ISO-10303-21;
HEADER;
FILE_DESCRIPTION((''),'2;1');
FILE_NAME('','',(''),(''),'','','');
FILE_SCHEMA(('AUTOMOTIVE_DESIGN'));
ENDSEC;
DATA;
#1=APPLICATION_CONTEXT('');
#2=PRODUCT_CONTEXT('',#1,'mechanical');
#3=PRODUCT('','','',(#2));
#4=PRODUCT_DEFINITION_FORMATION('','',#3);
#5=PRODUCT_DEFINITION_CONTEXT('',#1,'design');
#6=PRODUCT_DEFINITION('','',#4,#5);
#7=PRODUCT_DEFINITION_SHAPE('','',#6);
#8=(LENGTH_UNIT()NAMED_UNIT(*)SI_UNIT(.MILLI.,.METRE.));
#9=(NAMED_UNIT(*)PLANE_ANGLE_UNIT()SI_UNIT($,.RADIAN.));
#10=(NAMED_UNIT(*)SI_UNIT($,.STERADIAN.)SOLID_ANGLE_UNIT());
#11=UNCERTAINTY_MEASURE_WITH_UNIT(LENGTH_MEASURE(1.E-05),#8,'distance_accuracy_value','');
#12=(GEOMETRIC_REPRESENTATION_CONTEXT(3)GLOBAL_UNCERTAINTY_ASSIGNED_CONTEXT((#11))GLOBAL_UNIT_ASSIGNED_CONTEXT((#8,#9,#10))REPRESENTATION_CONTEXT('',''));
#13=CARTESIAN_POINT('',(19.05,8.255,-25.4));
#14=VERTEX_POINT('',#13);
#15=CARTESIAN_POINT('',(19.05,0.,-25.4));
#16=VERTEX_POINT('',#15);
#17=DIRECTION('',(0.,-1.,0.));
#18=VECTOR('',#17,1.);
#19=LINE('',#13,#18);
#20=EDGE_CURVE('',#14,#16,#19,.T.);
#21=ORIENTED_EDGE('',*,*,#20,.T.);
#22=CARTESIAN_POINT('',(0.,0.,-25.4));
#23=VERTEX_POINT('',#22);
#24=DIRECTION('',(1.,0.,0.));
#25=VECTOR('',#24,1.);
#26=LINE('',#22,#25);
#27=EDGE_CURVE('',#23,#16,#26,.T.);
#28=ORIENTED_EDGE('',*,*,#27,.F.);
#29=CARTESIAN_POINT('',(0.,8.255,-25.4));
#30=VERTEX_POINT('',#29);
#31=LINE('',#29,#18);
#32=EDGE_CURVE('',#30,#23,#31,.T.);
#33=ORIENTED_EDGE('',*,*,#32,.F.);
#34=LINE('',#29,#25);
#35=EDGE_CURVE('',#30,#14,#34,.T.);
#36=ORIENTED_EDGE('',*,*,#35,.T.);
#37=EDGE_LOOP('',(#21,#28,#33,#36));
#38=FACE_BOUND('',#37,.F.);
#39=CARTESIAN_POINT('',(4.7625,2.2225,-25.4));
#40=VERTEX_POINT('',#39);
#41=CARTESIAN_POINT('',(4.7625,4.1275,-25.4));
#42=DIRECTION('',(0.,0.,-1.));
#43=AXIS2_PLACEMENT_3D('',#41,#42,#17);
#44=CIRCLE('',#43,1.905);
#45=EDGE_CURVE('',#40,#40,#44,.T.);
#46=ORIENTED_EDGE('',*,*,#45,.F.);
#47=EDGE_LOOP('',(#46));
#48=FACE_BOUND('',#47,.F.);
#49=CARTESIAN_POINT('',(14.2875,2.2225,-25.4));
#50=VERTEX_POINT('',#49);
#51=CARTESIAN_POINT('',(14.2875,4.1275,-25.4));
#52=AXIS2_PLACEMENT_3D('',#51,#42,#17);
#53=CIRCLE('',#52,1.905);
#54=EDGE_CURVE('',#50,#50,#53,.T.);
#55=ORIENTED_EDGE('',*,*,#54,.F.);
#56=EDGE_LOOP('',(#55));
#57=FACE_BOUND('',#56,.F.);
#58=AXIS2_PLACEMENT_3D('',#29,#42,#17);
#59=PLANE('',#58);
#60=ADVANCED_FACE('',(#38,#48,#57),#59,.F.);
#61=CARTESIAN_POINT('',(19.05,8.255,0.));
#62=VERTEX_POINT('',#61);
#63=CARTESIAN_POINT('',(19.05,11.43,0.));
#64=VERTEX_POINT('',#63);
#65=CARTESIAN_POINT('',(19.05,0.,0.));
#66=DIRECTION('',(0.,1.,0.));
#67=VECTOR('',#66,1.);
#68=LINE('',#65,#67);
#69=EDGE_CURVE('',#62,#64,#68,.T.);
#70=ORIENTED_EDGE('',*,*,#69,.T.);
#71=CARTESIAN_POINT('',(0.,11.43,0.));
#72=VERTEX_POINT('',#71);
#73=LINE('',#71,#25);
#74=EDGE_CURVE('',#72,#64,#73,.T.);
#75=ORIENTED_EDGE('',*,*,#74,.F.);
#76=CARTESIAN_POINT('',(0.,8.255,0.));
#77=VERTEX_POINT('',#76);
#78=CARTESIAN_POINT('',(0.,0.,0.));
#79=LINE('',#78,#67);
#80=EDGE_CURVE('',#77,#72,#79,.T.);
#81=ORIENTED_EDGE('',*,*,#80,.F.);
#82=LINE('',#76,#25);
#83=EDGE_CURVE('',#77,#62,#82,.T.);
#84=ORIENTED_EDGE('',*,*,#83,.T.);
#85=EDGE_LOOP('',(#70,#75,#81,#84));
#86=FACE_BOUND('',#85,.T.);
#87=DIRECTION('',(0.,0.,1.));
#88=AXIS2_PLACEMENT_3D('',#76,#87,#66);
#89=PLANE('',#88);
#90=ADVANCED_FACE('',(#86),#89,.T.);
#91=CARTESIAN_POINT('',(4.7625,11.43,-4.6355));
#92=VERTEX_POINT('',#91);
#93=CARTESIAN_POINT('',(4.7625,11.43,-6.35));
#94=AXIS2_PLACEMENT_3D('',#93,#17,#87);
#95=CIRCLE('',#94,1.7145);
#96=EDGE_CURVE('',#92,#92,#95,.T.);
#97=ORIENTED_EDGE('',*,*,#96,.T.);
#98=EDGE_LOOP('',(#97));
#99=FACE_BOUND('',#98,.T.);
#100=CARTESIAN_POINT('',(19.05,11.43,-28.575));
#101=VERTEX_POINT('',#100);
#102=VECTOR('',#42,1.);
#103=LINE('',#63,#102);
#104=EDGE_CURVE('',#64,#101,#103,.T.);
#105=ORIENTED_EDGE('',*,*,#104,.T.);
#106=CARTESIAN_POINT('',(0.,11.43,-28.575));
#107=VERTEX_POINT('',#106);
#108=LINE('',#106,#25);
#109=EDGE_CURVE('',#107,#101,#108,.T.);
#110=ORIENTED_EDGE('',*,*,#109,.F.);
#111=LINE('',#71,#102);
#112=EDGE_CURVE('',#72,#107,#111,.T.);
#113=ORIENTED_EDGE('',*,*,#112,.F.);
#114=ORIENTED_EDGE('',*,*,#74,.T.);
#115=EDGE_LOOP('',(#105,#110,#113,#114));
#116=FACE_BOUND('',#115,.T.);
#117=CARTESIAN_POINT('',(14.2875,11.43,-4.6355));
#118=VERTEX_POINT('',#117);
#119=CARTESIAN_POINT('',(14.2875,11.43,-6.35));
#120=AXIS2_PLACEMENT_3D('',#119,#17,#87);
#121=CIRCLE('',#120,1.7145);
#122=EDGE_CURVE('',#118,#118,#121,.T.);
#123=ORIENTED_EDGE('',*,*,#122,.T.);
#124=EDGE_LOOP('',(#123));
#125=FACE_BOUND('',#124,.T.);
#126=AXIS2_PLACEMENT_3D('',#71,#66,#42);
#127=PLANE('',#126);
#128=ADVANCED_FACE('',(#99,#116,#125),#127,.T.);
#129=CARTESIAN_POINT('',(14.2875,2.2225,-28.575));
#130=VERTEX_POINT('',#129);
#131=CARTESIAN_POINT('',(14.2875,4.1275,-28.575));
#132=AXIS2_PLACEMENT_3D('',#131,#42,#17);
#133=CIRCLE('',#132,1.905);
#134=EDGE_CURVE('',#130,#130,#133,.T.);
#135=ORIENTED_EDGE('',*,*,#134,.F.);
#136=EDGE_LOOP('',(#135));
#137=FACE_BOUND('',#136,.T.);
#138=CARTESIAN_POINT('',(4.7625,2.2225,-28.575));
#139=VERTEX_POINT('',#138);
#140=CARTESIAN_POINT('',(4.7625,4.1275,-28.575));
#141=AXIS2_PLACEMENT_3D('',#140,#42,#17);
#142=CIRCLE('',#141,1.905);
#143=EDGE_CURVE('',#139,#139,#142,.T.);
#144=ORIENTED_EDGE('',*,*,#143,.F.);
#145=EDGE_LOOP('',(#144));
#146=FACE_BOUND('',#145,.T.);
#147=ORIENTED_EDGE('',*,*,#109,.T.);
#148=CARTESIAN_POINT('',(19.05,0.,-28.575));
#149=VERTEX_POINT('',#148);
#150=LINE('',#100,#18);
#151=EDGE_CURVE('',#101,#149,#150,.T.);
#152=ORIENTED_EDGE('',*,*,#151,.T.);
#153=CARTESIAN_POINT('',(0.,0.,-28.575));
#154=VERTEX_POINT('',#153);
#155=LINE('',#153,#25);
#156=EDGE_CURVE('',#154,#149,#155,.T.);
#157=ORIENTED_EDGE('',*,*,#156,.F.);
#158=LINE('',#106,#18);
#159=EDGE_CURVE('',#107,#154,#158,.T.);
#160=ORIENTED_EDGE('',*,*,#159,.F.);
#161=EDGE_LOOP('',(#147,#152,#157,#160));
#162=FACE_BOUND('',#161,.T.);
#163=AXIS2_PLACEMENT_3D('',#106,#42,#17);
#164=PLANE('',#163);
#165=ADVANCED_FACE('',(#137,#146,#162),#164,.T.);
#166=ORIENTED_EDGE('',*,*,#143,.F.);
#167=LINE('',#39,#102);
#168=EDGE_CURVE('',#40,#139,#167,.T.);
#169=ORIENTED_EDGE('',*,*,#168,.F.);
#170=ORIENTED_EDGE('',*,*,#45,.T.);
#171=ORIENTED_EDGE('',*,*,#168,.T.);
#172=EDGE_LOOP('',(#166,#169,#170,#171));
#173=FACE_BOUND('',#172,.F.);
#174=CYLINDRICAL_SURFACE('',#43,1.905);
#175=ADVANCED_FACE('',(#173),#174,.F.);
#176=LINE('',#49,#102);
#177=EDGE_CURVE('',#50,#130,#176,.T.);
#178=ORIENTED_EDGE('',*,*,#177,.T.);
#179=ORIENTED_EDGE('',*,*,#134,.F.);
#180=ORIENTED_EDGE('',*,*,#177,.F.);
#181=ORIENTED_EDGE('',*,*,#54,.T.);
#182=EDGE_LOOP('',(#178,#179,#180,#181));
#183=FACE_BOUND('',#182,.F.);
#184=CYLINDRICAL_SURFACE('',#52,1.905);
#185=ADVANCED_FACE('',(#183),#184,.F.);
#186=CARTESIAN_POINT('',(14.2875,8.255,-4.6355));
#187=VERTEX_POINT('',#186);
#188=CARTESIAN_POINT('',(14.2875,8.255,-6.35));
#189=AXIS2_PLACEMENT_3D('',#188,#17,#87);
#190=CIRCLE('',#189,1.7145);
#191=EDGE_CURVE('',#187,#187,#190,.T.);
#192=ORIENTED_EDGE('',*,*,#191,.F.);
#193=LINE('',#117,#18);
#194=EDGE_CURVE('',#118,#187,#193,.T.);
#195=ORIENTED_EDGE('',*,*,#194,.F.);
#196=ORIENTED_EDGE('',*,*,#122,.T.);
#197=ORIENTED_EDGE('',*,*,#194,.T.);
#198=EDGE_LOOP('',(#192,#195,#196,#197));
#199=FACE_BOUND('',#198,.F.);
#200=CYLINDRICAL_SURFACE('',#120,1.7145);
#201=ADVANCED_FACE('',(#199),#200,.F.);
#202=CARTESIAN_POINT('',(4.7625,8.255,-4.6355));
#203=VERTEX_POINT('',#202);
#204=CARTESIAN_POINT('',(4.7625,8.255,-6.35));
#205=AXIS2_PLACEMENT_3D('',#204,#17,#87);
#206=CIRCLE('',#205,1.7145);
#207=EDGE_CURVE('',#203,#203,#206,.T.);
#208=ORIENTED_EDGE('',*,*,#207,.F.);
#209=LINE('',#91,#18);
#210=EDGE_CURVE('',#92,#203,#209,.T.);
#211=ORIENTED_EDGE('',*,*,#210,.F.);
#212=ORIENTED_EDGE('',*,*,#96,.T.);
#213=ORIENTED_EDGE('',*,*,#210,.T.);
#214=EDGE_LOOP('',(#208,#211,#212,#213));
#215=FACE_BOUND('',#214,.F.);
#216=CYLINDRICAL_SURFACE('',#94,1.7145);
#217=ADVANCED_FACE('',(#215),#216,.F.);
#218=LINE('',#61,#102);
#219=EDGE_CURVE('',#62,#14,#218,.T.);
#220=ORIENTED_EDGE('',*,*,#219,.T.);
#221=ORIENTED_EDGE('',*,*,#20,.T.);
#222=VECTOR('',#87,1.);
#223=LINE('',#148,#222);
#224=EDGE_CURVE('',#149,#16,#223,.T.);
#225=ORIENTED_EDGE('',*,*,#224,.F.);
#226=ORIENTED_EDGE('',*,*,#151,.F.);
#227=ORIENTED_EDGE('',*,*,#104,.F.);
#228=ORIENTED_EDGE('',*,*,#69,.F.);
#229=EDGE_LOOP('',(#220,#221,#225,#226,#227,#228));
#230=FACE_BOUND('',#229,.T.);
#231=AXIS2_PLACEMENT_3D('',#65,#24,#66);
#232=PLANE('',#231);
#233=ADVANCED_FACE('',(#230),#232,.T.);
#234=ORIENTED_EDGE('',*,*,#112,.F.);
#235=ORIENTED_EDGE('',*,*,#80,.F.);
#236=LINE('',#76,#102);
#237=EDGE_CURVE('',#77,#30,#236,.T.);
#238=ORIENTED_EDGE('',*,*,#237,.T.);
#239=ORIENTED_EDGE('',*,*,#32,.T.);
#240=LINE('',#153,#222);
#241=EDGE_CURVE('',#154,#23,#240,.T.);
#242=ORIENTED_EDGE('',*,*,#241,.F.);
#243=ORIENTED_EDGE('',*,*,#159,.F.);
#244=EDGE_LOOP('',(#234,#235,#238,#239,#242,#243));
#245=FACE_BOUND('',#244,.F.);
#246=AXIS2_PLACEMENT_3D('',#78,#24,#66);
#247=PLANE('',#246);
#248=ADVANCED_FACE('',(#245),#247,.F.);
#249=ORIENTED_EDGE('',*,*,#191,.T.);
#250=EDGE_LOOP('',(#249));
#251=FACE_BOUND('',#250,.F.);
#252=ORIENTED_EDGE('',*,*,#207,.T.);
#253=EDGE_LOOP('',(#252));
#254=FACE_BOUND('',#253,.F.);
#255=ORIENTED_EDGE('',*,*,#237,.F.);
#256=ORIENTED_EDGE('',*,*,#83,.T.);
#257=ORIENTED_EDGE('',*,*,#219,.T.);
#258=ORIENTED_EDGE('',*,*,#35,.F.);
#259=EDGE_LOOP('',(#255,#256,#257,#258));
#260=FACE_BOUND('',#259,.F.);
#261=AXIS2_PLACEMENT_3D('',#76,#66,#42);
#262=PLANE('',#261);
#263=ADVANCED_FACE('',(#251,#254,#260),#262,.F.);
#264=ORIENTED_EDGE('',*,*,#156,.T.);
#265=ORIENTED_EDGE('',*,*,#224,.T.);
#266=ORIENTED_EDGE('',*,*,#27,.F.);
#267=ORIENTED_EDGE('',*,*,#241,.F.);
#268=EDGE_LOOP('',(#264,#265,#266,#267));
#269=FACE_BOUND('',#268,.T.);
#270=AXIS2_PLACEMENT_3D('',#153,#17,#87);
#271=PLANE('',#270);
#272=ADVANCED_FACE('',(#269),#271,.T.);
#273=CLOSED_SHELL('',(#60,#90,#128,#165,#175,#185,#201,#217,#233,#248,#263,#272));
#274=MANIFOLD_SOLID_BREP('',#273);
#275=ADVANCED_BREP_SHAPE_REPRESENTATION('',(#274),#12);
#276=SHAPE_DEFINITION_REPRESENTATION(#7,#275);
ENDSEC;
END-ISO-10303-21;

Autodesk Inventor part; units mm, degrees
ref_plane "YZ Plane" through (0, 0, 0) normal (1, 0, 0) x (0, 1, 0)
ref_plane "XZ Plane" through (0, 0, 0) normal (0, 1, 0) x (-1, 0, 0)
ref_plane "XY Plane" through (0, 0, 0) normal (0, 0, 1) x (1, 0, 0)
sketch "Sketch1" plane through (0, 0, 0) normal (1, 0, 0) x (0, 1, 0)
  line L0 (0, 0) -> (11.43, 0)
  line L1 (11.43, 0) -> (11.43, -28.575)
  line L2 (11.43, -28.575) -> (0, -28.575)
  line L3 (0, -28.575) -> (0, 0)
  line L4 (0, 0) -> (8.255, 0)
  line L5 (8.255, 0) -> (8.255, -25.4)
  line L6 (8.255, -25.4) -> (0, -25.4)
  line L7 (0, -25.4) -> (0, 0)
  dimension "d0" = 11.43
  dimension "d1" = 28.575
  dimension "d2" = 8.255
  dimension "d3" = 25.4
extrude "Extrusion1" add sketch "Sketch1" along normal blind 19.05 contours L0 L1 L2 L3 L6 L5
sketch "Sketch2" plane through (0, 11.43, 0) normal (0, 1, 0) x (1, 0, 0)
  line L0 (0, 28.575) -> (0, 0) projected
  line L1 (0, 0) -> (19.05, 0) projected
  line L2 (19.05, 28.575) -> (19.05, 0) projected
  line L3 (0, 28.575) -> (19.05, 28.575) projected
  point P0 (0, 0)
  point P1 (4.7625, 6.35)
  point P2 (14.2875, 6.35)
  dimension "d6" = 9.525
  dimension "d7" = 4.7625
  dimension "d8" = 28.575
  dimension "d31" = 19.05
  dimension "d33" = 6.35
  dimension "d34" = 6.35
hole "Hole1" at (4.7625, 11.43, -6.35) at (14.2875, 11.43, -6.35) direction (0, -1, 0) diameter 3.429 end through all
sketch "Sketch3" plane through (0, 0, -25.4) normal (0, 0, 1) x (1, 0, 0)
  line L0 (0, 0) -> (0, 8.255) projected
  line L1 (19.05, 0) -> (0, 0) projected
  line L2 (19.05, 8.255) -> (19.05, 0) projected
  line L3 (0, 8.255) -> (19.05, 8.255) projected
  point P0 (0, 0)
  point P1 (4.7625, 4.1275)
  point P2 (14.2875, 4.1275)
  dimension "d20" = 9.525
  dimension "d21" = 4.7625
  dimension "d22" = 4.1275
  dimension "d23" = 4.1275
  dimension "d32" = 19.05
  dimension "d35" = 8.255
hole "Hole2" at (4.7625, 4.1275, -25.4) at (14.2875, 4.1275, -25.4) direction (0, 0, -1) diameter 3.81 end through all
equation "\"d7\" = -0.5 * d6 + 0.5 * d31"
equation "\"d21\" = -0.5 * d20 + 0.5 * d32"
equation "\"d22\" = 0.5 * d35"
equation "\"d23\" = d22"
properties part number "TensionerPlate4a" material "ABS Plastic"
